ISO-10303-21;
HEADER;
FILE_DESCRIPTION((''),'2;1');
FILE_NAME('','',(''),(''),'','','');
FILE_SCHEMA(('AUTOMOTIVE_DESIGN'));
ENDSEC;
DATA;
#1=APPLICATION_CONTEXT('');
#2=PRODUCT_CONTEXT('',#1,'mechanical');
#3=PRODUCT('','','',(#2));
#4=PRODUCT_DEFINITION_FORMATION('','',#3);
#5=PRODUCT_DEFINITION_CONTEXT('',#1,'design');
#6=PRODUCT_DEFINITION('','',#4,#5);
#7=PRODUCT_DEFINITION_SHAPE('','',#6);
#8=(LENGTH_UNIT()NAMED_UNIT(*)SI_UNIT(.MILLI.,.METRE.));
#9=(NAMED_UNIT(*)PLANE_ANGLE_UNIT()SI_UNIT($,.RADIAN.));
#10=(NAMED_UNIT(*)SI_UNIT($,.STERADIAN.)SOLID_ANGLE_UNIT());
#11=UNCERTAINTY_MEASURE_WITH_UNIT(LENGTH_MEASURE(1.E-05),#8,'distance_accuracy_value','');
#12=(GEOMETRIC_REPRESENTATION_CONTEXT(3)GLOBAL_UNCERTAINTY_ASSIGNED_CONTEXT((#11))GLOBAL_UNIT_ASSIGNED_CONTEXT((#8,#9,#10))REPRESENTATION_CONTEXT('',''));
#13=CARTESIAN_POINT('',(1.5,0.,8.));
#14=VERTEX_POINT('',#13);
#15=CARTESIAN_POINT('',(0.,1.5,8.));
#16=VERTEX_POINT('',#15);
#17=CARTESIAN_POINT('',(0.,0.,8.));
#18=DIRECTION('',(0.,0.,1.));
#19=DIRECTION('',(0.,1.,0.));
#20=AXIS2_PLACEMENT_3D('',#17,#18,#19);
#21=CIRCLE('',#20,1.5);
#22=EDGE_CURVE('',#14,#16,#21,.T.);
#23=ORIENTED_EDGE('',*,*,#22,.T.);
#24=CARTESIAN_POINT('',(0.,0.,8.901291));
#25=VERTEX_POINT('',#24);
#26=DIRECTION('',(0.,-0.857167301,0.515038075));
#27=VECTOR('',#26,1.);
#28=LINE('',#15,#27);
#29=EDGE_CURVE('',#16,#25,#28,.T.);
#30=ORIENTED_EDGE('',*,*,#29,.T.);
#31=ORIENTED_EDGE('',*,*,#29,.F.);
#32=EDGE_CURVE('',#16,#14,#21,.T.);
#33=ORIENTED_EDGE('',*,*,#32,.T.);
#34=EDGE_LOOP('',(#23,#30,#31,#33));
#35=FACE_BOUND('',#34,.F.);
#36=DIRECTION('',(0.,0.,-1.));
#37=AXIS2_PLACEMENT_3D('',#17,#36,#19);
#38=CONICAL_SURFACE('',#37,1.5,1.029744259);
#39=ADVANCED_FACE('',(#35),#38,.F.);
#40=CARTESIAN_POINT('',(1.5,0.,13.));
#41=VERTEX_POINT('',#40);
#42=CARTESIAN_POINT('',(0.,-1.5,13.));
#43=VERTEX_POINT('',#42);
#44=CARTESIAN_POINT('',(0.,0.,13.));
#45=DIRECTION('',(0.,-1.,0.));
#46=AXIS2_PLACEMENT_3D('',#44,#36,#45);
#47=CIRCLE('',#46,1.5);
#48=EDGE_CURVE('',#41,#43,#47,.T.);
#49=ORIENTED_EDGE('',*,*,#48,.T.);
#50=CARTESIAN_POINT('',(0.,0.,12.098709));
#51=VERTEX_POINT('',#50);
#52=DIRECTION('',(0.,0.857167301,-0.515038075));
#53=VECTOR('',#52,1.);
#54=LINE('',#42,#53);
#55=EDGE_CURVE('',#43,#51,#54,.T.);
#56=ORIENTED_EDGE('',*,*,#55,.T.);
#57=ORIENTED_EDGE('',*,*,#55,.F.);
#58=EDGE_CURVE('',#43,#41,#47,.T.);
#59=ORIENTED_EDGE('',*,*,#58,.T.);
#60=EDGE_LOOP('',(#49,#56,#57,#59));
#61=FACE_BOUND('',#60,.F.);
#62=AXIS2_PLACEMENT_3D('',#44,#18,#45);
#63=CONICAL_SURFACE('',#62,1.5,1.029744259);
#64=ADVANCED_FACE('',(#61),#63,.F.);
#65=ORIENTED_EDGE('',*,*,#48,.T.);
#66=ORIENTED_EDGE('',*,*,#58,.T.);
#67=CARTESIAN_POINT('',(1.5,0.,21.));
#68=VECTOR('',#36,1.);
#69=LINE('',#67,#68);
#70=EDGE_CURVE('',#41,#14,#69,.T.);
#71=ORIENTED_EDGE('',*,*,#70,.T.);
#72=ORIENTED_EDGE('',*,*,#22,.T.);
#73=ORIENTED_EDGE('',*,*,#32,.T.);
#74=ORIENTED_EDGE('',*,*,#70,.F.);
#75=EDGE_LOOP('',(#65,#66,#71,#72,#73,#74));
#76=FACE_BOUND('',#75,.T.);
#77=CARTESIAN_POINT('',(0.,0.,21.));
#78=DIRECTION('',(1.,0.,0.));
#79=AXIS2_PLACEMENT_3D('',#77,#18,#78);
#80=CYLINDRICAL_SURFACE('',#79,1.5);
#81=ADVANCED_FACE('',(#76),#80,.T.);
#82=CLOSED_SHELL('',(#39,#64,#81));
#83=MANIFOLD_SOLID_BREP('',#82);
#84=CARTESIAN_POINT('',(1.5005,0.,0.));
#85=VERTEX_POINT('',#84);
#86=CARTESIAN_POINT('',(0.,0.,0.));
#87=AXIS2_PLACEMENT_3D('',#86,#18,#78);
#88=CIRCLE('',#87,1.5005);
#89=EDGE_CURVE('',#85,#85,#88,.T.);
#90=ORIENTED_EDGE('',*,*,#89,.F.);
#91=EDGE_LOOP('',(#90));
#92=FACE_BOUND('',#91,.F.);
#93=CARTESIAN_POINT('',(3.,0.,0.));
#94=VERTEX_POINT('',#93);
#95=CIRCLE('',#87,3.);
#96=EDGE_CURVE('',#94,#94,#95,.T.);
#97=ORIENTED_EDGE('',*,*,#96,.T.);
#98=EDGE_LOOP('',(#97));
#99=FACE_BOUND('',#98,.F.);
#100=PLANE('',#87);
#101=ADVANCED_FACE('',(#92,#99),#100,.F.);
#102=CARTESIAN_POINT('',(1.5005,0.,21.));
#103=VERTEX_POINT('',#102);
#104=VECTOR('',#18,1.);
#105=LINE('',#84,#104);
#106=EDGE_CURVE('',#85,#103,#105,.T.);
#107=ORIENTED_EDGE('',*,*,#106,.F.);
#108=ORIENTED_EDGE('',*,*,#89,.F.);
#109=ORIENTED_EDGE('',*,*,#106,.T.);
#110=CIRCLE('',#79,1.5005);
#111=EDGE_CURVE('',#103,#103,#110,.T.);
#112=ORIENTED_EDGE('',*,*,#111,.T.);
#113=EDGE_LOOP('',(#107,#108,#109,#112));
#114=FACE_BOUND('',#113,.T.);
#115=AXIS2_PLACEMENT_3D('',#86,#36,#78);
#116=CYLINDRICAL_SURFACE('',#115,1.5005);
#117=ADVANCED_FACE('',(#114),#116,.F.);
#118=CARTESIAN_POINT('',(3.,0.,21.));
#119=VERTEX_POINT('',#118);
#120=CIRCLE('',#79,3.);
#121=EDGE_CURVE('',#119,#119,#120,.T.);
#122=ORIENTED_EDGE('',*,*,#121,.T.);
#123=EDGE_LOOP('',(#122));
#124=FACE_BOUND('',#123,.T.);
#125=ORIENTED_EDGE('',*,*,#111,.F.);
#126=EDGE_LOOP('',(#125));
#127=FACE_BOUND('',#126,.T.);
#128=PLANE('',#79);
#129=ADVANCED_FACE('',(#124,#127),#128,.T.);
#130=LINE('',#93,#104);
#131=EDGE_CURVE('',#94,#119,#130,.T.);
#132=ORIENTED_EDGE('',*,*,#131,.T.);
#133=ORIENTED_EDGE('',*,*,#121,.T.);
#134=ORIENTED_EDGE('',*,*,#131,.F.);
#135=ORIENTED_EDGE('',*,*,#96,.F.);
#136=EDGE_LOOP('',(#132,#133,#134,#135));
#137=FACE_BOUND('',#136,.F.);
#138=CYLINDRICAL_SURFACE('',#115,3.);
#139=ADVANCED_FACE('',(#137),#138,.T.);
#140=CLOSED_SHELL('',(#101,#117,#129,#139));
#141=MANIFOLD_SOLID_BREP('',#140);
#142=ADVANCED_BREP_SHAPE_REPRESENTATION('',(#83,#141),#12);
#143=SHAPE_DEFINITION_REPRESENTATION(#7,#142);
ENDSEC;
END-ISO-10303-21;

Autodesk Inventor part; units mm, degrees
ref_plane "YZ Plane" through (0, 0, 0) normal (1, 0, 0) x (0, 1, 0)
ref_plane "XZ Plane" through (0, 0, 0) normal (0, 1, 0) x (-1, 0, 0)
ref_plane "XY Plane" through (0, 0, 0) normal (0, 0, 1) x (1, 0, 0)
sketch "スケッチ1" plane through (0, 0, 0) normal (0, 0, 1) x (1, 0, 0)
  circle A0 centre (0, 0) radius 3
  circle A1 centre (0, 0) radius 1.5005
  dimension "d0" = 6
  dimension "d1" = 3.001
extrude "押し出し1" add sketch "スケッチ1" along normal blind 21
sketch "スケッチ2" plane through (0, 0, 21) normal (0, 0, 1) x (1, 0, 0)
  circle A0 centre (0, 0) radius 1.5
  dimension "d4" = 3
extrude "押し出し2" add sketch "スケッチ2" against normal blind 21
hole "穴1" at (0, 0, 21) direction (0, 0, -1) diameter 3 depth 8 tip angle 118
hole "穴2" at (0, 0, 0) direction (0, 0, 1) diameter 3 depth 8 tip angle 118
properties part number "スペーサーm3-21　簡易筒型" material "アルミニウム 2014-T4"
